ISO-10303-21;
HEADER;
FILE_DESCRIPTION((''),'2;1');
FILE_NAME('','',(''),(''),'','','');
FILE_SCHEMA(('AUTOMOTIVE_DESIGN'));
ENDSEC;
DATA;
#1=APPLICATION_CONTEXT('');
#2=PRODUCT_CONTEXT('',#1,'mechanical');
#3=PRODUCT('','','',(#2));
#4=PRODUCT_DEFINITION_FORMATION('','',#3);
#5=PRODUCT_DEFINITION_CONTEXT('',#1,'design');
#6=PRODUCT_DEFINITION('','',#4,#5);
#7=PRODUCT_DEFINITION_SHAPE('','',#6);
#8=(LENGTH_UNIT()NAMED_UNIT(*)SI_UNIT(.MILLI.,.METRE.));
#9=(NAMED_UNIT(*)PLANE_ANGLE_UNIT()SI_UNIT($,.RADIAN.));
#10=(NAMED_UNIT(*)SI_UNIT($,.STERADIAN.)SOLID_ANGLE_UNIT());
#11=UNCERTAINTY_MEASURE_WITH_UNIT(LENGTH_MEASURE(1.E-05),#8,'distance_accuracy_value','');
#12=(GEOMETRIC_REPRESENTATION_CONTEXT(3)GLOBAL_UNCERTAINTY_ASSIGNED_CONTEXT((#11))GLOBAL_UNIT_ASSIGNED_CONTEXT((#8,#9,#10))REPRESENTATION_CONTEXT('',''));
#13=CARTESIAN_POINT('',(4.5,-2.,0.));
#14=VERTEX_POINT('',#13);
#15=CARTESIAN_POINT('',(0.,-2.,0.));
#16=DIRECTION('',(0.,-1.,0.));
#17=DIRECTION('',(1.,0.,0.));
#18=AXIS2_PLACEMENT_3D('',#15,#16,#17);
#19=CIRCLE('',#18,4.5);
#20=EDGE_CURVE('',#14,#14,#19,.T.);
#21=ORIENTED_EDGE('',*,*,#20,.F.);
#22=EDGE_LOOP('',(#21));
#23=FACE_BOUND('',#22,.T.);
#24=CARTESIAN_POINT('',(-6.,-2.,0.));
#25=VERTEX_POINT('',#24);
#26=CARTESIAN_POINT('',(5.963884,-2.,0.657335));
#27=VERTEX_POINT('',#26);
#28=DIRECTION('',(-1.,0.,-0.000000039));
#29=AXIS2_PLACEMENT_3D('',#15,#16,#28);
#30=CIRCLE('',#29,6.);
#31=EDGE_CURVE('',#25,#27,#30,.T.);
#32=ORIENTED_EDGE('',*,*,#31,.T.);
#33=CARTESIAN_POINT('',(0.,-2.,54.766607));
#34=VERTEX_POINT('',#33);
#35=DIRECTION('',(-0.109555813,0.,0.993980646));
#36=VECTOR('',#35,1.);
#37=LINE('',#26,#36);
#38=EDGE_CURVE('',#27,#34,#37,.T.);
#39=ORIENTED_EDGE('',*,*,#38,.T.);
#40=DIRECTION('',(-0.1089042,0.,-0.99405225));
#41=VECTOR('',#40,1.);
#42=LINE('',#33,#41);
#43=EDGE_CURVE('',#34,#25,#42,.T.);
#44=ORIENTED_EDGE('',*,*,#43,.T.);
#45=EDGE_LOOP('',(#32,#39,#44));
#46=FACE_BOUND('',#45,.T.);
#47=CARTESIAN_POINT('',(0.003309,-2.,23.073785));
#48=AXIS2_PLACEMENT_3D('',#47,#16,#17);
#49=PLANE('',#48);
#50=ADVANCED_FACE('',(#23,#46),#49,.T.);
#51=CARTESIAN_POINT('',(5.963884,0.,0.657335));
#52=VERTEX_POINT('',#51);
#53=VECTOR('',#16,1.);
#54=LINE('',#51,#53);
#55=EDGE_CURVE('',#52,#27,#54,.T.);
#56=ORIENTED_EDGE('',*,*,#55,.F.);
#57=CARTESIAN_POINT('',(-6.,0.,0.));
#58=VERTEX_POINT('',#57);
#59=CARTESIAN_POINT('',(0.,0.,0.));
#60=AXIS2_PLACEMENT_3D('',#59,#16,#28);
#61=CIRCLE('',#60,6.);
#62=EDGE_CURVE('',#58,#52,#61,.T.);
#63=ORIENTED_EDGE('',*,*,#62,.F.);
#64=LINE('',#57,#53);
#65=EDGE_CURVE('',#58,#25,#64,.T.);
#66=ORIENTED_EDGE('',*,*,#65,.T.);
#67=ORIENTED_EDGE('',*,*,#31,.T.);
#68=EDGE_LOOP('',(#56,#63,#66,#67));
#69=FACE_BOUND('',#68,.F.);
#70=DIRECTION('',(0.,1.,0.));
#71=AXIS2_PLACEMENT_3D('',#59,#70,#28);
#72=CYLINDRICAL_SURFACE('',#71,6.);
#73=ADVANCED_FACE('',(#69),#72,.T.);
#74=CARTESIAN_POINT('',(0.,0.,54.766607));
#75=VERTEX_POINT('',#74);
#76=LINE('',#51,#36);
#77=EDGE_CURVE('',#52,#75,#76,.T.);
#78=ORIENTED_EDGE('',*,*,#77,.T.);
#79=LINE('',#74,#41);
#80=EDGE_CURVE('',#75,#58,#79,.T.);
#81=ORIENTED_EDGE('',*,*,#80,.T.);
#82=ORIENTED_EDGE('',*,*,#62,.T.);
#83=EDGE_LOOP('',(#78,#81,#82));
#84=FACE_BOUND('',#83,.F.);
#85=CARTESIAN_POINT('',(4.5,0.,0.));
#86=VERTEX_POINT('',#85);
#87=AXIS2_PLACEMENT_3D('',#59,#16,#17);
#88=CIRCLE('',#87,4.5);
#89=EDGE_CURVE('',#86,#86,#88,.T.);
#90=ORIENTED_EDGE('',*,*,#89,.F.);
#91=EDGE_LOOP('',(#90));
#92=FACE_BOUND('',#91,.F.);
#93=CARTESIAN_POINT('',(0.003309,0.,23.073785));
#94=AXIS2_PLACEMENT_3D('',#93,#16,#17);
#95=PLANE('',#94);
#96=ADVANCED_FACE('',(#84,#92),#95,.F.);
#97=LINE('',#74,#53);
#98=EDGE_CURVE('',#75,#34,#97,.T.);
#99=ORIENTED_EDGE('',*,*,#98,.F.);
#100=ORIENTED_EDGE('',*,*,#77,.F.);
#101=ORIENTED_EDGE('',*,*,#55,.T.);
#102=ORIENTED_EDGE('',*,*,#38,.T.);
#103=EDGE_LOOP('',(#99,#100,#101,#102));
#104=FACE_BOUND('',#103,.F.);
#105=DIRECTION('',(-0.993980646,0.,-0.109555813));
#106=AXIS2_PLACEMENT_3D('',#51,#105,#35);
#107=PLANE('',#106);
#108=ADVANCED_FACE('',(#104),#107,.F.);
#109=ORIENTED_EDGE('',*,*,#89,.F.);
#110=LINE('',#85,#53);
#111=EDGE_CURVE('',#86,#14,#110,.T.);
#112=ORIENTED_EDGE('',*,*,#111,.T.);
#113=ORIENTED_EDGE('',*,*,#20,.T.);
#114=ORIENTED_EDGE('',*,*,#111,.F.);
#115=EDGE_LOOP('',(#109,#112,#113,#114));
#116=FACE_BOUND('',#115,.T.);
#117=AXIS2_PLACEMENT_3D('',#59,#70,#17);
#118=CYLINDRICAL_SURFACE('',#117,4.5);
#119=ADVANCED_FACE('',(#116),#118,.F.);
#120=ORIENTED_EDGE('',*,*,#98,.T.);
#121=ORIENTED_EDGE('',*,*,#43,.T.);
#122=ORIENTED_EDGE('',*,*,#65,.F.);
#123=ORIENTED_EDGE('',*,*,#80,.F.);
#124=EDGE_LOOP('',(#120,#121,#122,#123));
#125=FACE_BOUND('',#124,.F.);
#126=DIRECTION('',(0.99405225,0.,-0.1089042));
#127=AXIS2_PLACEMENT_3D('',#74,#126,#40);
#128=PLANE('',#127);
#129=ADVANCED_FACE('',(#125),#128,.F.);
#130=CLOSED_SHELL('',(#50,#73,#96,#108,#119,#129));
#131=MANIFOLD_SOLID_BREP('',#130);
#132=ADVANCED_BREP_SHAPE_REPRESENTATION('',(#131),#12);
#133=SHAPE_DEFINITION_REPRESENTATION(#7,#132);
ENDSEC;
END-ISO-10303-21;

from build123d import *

# Parameters (mm, degrees)
F0_R     = 4.5
F1_DEPTH = 2


with BuildPart() as f1:
    # F0 (on Front) → F1 (new body)
    with BuildSketch(Plane.XZ):
        with BuildLine():
            Line((0, 54.766607), (-6, 0))
            ThreePointArc((-6, 0), (0.329163, -5.990964), (5.963884, 0.657335))
            Line((5.963884, 0.657335), (0, 54.766607))
        make_face()
        Circle(F0_R, mode=Mode.SUBTRACT)
    extrude(amount=F1_DEPTH)


solid = f1.part
